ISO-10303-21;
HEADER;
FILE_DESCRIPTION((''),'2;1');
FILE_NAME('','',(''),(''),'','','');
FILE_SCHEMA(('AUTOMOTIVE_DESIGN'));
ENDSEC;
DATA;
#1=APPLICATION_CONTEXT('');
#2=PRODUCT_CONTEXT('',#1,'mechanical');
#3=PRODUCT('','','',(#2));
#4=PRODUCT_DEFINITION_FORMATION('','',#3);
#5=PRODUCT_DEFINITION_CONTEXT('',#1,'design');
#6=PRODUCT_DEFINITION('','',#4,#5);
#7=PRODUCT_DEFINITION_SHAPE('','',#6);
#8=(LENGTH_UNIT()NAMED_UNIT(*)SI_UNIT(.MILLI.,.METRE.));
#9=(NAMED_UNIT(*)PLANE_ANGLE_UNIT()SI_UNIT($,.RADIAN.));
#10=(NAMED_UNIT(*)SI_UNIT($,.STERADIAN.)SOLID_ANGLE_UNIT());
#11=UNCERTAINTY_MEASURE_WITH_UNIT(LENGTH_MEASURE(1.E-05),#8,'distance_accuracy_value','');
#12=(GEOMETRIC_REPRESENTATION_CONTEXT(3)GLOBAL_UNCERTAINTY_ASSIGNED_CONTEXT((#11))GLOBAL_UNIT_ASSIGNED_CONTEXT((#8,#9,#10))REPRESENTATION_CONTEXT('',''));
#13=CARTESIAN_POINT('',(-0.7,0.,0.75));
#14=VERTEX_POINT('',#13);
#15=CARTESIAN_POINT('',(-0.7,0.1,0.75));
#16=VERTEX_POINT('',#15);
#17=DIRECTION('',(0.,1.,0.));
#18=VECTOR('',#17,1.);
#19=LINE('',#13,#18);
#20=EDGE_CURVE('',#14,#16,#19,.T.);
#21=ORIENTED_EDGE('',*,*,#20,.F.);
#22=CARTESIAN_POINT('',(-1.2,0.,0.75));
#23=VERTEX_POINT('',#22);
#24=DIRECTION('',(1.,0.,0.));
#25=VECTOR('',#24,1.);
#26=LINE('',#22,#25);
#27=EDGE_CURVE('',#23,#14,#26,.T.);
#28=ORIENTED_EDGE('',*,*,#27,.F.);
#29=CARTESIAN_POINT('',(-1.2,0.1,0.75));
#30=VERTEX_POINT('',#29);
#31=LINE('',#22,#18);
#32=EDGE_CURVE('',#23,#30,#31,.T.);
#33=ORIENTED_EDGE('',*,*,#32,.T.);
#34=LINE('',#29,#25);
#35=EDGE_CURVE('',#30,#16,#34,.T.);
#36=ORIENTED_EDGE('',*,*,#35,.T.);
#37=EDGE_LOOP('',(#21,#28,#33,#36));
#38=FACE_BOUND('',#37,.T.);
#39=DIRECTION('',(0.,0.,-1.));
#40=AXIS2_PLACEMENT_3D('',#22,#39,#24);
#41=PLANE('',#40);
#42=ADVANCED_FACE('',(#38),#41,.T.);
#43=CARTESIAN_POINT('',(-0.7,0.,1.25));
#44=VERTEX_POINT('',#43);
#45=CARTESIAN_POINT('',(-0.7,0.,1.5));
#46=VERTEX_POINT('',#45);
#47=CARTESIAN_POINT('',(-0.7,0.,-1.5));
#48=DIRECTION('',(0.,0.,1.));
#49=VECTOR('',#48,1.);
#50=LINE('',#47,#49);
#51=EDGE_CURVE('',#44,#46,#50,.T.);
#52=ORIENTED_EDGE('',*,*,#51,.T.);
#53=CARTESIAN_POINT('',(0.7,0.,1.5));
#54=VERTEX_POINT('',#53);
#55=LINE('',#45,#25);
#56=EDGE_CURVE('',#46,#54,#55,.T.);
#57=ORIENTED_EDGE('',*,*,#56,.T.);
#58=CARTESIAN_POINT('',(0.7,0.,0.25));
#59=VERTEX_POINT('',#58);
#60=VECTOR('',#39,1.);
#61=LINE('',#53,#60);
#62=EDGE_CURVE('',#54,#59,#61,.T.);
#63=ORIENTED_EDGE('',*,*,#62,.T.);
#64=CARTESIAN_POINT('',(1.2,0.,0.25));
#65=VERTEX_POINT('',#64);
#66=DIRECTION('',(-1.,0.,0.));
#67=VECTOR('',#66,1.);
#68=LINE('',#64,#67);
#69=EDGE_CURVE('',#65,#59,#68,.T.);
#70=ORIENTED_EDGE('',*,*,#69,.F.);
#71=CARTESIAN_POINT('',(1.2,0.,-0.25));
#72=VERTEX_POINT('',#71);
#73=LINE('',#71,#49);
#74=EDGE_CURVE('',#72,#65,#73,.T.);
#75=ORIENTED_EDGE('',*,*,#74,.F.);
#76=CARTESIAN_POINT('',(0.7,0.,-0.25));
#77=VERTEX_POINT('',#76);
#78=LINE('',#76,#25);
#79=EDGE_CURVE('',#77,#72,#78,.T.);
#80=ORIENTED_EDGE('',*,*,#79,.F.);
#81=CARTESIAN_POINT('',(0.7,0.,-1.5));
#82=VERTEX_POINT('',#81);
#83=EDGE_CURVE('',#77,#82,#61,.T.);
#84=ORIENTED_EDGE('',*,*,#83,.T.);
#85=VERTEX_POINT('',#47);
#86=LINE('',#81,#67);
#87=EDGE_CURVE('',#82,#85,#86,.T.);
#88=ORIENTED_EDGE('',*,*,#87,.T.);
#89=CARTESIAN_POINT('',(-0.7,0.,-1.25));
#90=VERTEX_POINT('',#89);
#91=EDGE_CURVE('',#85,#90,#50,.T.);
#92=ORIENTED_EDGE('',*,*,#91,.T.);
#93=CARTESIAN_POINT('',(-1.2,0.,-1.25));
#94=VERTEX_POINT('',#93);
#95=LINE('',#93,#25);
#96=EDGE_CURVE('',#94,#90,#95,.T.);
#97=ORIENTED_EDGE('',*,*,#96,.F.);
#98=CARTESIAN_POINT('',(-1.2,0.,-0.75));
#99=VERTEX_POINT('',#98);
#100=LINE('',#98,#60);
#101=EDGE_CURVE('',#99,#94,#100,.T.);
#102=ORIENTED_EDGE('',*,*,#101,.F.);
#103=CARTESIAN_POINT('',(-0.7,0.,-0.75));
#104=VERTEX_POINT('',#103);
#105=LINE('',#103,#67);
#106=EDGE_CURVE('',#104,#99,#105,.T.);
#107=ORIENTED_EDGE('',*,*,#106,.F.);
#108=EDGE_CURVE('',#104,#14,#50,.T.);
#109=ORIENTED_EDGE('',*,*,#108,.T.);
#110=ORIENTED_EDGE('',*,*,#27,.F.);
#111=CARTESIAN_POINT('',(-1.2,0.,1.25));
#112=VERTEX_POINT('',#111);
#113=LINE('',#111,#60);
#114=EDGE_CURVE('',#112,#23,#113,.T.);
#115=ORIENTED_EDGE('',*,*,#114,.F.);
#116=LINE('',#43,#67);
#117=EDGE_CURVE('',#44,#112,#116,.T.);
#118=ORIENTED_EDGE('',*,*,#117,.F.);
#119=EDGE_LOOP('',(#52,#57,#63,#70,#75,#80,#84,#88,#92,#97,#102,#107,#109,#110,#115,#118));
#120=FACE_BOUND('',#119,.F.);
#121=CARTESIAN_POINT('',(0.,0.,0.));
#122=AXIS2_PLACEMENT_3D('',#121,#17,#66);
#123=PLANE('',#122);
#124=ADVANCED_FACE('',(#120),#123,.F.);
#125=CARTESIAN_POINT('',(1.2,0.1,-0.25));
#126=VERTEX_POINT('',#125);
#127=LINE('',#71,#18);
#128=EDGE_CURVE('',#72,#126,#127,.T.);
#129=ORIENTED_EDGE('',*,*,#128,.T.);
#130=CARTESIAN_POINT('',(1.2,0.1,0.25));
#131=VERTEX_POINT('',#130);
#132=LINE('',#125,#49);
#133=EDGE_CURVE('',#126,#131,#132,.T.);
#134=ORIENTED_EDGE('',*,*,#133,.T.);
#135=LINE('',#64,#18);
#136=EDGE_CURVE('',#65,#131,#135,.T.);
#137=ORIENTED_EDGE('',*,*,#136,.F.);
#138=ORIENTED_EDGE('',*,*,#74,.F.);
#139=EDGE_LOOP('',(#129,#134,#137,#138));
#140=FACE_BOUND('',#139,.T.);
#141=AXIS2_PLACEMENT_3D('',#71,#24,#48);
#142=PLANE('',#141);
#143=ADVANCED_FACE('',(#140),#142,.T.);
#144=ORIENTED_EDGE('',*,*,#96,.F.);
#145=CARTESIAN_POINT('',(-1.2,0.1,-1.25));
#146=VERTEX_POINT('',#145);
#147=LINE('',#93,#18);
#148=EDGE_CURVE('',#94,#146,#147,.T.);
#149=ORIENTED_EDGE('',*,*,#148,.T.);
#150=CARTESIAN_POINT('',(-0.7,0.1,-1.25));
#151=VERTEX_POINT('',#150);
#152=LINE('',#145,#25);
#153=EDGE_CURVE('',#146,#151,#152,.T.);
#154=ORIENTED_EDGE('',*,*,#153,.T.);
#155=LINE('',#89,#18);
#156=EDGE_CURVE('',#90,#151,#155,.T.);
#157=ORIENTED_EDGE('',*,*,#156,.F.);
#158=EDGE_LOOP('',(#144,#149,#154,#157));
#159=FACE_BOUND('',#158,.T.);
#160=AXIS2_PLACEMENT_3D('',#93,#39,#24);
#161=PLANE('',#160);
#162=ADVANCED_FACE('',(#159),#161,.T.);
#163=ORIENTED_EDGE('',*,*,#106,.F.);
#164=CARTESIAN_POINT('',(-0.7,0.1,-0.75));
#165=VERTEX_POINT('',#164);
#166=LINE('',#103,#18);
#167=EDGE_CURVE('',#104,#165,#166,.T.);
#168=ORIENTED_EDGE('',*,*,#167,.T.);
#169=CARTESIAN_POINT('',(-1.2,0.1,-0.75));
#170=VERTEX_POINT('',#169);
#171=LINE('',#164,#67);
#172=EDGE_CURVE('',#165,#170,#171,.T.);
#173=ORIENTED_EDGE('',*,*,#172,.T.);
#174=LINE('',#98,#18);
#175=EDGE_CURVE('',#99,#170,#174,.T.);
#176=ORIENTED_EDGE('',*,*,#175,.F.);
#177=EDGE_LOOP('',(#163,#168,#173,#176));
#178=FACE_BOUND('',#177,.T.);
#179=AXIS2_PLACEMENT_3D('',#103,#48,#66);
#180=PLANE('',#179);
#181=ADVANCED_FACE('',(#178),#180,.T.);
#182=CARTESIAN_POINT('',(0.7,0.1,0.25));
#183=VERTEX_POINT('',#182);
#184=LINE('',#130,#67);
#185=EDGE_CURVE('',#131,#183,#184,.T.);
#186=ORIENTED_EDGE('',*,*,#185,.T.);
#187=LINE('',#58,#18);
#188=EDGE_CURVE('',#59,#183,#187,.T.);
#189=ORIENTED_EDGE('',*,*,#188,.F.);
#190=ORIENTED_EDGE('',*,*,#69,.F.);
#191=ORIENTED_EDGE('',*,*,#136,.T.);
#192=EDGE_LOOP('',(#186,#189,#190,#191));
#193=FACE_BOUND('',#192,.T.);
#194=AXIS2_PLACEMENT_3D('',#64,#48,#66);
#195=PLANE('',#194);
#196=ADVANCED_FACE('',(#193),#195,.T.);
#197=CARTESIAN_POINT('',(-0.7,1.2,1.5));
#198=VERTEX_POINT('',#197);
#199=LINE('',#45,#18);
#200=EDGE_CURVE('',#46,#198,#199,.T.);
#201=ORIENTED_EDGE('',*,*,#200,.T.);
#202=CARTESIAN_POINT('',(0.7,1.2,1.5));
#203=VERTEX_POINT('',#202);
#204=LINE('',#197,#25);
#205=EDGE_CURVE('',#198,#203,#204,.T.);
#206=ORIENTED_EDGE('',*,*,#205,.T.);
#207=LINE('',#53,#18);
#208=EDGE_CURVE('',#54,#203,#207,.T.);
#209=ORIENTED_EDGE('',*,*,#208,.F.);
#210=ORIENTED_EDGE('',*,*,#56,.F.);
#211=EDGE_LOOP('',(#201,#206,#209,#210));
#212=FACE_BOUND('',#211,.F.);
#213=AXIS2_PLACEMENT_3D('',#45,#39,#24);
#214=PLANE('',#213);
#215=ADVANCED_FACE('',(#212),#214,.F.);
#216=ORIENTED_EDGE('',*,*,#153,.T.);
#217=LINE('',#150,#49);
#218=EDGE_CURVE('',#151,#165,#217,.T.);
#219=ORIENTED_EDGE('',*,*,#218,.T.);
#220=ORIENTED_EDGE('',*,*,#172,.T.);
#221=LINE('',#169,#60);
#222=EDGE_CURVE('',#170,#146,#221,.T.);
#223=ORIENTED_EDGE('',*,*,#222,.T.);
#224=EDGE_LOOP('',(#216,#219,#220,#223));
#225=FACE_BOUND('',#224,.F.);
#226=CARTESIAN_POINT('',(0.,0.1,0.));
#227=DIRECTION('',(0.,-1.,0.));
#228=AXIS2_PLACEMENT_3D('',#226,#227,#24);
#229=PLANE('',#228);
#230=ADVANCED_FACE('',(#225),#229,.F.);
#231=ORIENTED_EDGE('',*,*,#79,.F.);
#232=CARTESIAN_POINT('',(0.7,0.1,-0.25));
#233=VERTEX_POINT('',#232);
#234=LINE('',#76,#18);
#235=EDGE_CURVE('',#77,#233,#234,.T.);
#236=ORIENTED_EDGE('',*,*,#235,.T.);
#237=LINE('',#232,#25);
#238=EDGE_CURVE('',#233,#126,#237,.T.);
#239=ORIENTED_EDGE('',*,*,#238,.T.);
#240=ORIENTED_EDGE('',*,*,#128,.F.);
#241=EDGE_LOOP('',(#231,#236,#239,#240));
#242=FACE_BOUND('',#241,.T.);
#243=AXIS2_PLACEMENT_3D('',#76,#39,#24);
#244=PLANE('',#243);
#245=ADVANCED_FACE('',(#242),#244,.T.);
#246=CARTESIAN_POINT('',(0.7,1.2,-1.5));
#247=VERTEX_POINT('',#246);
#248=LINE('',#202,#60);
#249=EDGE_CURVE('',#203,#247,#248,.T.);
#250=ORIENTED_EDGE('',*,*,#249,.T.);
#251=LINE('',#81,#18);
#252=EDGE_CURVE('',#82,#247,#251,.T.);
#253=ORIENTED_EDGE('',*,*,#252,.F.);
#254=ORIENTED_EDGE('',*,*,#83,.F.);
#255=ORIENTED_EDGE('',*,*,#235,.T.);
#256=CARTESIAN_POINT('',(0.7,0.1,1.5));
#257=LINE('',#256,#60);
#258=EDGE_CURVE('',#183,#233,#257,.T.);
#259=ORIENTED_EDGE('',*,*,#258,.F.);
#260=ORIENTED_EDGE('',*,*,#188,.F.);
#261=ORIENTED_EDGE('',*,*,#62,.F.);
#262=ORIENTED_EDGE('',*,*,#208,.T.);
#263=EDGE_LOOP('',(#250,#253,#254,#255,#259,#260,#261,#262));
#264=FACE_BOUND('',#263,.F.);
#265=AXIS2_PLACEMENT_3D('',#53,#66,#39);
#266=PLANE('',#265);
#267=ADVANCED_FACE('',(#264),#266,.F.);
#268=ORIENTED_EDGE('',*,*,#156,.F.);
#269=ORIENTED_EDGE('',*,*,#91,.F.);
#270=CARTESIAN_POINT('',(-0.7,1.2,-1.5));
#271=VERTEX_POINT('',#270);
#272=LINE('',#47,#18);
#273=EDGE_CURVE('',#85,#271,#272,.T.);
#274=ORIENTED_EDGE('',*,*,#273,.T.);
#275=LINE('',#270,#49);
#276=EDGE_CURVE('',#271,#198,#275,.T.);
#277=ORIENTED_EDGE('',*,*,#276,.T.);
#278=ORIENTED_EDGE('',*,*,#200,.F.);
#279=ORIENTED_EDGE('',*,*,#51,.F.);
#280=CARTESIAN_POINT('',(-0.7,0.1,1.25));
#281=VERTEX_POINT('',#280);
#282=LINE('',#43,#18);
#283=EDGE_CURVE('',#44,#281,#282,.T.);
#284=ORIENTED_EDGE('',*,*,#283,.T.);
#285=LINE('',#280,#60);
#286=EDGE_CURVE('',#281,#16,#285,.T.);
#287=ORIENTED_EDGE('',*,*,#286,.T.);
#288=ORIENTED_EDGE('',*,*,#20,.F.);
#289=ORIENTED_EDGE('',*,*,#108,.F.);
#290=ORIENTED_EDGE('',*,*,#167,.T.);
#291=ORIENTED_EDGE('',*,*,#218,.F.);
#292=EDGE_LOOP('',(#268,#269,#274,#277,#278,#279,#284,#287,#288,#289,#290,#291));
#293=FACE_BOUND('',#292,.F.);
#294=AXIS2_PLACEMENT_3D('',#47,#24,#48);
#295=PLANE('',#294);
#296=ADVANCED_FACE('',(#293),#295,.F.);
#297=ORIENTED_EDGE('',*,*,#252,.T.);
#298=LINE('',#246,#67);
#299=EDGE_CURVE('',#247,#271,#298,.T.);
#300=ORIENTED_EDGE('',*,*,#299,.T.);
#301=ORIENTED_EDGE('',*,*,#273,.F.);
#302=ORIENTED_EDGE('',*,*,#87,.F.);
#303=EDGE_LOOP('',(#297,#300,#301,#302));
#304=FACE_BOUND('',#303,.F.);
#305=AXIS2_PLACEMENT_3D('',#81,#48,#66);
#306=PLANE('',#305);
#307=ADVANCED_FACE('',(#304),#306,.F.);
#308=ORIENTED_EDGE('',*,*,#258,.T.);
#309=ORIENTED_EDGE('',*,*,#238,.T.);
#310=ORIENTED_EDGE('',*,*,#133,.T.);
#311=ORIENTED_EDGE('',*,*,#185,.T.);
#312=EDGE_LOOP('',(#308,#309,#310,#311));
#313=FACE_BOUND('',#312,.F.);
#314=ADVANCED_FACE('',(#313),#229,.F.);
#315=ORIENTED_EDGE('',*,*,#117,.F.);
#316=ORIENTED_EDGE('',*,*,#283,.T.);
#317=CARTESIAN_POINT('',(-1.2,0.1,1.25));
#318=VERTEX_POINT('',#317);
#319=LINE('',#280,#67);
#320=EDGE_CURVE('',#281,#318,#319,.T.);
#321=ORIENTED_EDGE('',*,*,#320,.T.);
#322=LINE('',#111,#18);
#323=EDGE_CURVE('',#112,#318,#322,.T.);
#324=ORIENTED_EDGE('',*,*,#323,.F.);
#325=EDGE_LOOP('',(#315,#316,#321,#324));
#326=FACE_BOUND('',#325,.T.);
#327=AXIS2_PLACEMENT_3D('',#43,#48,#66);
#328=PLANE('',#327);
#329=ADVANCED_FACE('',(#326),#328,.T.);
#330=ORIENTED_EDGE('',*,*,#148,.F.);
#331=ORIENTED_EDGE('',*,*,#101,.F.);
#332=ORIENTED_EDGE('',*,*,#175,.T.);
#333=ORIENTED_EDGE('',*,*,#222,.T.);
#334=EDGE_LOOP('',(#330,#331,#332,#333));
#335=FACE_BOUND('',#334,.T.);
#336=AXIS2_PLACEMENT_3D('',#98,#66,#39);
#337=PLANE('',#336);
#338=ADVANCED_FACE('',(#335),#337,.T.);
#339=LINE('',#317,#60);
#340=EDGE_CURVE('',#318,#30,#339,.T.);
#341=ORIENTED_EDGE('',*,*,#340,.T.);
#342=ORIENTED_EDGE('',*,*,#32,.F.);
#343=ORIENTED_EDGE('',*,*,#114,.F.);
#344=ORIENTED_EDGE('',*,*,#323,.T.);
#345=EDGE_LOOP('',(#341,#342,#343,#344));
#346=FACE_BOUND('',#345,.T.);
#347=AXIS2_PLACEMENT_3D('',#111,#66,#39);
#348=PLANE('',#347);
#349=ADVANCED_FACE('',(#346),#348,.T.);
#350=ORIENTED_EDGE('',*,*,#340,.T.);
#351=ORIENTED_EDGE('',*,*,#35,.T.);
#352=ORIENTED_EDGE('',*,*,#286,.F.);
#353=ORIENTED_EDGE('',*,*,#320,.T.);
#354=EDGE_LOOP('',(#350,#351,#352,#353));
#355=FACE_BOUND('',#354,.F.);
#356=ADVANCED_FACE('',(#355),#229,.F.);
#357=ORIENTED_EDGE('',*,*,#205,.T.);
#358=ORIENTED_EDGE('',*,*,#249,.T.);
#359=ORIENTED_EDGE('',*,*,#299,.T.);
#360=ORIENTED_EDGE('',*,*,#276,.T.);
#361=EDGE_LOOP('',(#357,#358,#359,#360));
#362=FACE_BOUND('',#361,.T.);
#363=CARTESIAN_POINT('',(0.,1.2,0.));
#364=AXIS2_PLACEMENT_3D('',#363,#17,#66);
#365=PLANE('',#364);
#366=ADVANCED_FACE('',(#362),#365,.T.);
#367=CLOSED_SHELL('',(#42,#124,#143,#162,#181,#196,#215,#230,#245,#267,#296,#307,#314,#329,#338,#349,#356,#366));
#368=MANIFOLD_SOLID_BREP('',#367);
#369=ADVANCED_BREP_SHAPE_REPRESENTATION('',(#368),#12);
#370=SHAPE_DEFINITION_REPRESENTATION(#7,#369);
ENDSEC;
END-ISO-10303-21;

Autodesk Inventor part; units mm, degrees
ref_plane "YZ Plane" through (0, 0, 0) normal (1, 0, 0) x (0, 1, 0)
ref_plane "XZ Plane" through (0, 0, 0) normal (0, 1, 0) x (-1, 0, 0)
ref_plane "XY Plane" through (0, 0, 0) normal (0, 0, 1) x (1, 0, 0)
sketch "Sketch1" plane through (0, 0, 0) normal (0, 1, 0) x (-1, 0, 0)
  line L0 (0.7, 1.5) -> (-0.7, 1.5)
  line L1 (-0.7, 1.5) -> (-0.7, -1.5)
  line L2 (-0.7, -1.5) -> (0.7, -1.5)
  line L3 (0.7, -1.5) -> (0.7, 1.5)
  line L4 (0.7, 1.5) -> (-0.7, -1.5) construction
  line L5 (-0.7, 1.5) -> (0.7, -1.5) construction
  point P0 (0, 0)
  dimension "d0" = 1.4
  dimension "d1" = 3
extrude "Extrusion1" add sketch "Sketch1" along normal blind 1.2
sketch "Sketch2" plane through (0, 0, 0) normal (0, -1, 0) x (1, 0, 0)
  line L0 (0.7, 1.5) -> (0.7, -1.5) projected
  line L1 (-0.7, 1.25) -> (-1.2, 1.25)
  line L2 (-1.2, 1.25) -> (-1.2, 0.75)
  line L3 (-1.2, 0.75) -> (-0.7, 0.75)
  line L4 (-0.7, 1.25) -> (-1.2, 0.75) construction
  line L5 (-1.2, 1.25) -> (-0.7, 0.75) construction
  line L6 (-0.7, -0.75) -> (-1.2, -0.75)
  line L7 (-1.2, -0.75) -> (-1.2, -1.25)
  line L8 (-1.2, -1.25) -> (-0.7, -1.25)
  line L9 (-0.7, -1.25) -> (-0.7, -0.75)
  line L10 (-0.7, -0.75) -> (-1.2, -1.25) construction
  line L11 (-1.2, -0.75) -> (-0.7, -1.25) construction
  line L12 (1.2, 0.25) -> (0.7, 0.25)
  line L13 (0.7, 0.25) -> (0.7, -0.25)
  line L14 (0.7, -0.25) -> (1.2, -0.25)
  line L15 (1.2, -0.25) -> (1.2, 0.25)
  line L16 (1.2, 0.25) -> (0.7, -0.25) construction
  line L17 (0.7, 0.25) -> (1.2, -0.25) construction
  line L18 (-0.7, 1.25) -> (-0.7, 0.75)
  point P0 (0, 0)
  point P1 (-0.7, 0)
  point P2 (-0.95, 1)
  point P3 (-0.95, -1)
  point P4 (0.95, 0)
  dimension "d5" = 0.5
  dimension "d6" = 0.5
  dimension "d7" = 0.5
  dimension "d8" = 0.5
  dimension "d9" = 0.5
  dimension "d10" = 0.5
extrude "Extrusion2" add sketch "Sketch2" against normal blind 0.1
properties part number "bc848"
